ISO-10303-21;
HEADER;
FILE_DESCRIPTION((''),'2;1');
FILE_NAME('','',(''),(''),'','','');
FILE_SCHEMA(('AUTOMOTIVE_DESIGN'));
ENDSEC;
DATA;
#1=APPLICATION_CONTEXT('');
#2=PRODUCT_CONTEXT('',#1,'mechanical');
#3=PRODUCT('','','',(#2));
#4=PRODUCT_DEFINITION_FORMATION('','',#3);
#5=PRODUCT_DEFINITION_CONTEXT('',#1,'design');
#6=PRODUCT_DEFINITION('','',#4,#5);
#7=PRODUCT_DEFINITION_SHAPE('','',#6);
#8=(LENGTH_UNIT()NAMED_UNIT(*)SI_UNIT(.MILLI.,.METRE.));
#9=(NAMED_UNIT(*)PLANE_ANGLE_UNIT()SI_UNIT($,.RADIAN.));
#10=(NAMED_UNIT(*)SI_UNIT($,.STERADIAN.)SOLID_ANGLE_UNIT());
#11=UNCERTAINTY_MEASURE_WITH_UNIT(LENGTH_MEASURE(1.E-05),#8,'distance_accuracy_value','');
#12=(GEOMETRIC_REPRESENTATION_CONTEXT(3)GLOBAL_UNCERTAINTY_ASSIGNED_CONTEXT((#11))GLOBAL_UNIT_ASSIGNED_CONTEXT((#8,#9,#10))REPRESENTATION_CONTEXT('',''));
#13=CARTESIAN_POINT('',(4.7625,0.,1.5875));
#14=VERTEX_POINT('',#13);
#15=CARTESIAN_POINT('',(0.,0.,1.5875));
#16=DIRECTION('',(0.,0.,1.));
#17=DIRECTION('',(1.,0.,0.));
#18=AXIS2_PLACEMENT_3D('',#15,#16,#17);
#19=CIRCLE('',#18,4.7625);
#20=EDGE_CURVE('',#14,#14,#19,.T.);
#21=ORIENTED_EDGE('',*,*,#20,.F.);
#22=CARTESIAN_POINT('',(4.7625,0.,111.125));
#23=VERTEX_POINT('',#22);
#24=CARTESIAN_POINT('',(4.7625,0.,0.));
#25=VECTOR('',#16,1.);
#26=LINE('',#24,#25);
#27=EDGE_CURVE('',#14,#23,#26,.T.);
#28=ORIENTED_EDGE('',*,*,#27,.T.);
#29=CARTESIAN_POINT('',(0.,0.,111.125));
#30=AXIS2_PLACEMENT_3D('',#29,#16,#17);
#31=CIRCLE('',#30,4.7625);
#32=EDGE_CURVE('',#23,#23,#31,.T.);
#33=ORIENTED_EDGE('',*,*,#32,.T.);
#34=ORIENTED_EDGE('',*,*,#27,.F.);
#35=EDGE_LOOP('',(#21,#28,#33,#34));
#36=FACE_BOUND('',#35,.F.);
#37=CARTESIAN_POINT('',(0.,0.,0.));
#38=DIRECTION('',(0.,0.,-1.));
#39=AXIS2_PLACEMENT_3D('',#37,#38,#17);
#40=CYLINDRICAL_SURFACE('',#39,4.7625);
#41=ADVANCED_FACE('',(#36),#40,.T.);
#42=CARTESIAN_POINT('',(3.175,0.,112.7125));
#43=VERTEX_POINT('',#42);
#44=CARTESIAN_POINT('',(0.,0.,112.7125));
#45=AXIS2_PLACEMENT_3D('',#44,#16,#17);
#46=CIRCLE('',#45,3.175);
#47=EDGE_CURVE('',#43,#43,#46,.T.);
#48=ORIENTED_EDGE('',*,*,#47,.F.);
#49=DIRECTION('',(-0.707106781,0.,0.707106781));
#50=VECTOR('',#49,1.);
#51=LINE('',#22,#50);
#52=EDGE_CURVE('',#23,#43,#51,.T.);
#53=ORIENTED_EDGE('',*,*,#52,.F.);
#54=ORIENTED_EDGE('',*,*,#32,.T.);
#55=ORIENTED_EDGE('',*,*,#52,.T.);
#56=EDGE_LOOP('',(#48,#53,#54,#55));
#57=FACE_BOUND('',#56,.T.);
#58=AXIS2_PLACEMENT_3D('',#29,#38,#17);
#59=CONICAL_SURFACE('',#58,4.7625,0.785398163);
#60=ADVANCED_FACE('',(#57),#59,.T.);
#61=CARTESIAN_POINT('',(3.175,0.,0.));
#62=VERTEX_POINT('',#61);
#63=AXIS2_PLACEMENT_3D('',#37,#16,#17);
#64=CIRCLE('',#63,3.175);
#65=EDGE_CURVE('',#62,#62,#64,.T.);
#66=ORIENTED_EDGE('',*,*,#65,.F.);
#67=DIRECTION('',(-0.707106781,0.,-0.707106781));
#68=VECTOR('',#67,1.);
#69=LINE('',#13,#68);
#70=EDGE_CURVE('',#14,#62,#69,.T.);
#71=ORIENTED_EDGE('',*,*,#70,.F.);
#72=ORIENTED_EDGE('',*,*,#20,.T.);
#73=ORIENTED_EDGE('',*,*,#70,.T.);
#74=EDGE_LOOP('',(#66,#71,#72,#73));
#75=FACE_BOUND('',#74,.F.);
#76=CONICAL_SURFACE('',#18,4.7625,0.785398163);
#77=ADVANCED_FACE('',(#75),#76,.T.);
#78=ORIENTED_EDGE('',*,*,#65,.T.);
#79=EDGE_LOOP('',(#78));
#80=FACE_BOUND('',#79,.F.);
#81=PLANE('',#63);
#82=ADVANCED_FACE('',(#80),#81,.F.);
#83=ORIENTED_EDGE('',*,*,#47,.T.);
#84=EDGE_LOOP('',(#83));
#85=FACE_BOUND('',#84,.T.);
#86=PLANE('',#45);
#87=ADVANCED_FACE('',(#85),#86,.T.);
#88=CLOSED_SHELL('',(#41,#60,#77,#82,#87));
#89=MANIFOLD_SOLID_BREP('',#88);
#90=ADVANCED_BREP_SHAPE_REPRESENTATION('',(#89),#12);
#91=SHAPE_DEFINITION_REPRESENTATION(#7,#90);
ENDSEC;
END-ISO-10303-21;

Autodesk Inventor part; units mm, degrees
ref_plane "YZ Plane" through (0, 0, 0) normal (1, 0, 0) x (0, 1, 0)
ref_plane "XZ Plane" through (0, 0, 0) normal (0, 1, 0) x (-1, 0, 0)
ref_plane "XY Plane" through (0, 0, 0) normal (0, 0, 1) x (1, 0, 0)
sketch "Sketch1" plane through (0, 0, 0) normal (0, 0, 1) x (1, 0, 0)
  circle A0 centre (0, 0) radius 4.7625
  dimension "d0" = 9.525
extrude "Extrusion1" add sketch "Sketch1" along normal blind 112.7125
chamfer "Chamfer1" distance 1.5875 angle 45 2 edges at (-4.7625, 0, 0) (-4.7625, 0, 112.7125)
properties part number "A1-19037-100-07 Trap rod" material "Steel, Mild"
